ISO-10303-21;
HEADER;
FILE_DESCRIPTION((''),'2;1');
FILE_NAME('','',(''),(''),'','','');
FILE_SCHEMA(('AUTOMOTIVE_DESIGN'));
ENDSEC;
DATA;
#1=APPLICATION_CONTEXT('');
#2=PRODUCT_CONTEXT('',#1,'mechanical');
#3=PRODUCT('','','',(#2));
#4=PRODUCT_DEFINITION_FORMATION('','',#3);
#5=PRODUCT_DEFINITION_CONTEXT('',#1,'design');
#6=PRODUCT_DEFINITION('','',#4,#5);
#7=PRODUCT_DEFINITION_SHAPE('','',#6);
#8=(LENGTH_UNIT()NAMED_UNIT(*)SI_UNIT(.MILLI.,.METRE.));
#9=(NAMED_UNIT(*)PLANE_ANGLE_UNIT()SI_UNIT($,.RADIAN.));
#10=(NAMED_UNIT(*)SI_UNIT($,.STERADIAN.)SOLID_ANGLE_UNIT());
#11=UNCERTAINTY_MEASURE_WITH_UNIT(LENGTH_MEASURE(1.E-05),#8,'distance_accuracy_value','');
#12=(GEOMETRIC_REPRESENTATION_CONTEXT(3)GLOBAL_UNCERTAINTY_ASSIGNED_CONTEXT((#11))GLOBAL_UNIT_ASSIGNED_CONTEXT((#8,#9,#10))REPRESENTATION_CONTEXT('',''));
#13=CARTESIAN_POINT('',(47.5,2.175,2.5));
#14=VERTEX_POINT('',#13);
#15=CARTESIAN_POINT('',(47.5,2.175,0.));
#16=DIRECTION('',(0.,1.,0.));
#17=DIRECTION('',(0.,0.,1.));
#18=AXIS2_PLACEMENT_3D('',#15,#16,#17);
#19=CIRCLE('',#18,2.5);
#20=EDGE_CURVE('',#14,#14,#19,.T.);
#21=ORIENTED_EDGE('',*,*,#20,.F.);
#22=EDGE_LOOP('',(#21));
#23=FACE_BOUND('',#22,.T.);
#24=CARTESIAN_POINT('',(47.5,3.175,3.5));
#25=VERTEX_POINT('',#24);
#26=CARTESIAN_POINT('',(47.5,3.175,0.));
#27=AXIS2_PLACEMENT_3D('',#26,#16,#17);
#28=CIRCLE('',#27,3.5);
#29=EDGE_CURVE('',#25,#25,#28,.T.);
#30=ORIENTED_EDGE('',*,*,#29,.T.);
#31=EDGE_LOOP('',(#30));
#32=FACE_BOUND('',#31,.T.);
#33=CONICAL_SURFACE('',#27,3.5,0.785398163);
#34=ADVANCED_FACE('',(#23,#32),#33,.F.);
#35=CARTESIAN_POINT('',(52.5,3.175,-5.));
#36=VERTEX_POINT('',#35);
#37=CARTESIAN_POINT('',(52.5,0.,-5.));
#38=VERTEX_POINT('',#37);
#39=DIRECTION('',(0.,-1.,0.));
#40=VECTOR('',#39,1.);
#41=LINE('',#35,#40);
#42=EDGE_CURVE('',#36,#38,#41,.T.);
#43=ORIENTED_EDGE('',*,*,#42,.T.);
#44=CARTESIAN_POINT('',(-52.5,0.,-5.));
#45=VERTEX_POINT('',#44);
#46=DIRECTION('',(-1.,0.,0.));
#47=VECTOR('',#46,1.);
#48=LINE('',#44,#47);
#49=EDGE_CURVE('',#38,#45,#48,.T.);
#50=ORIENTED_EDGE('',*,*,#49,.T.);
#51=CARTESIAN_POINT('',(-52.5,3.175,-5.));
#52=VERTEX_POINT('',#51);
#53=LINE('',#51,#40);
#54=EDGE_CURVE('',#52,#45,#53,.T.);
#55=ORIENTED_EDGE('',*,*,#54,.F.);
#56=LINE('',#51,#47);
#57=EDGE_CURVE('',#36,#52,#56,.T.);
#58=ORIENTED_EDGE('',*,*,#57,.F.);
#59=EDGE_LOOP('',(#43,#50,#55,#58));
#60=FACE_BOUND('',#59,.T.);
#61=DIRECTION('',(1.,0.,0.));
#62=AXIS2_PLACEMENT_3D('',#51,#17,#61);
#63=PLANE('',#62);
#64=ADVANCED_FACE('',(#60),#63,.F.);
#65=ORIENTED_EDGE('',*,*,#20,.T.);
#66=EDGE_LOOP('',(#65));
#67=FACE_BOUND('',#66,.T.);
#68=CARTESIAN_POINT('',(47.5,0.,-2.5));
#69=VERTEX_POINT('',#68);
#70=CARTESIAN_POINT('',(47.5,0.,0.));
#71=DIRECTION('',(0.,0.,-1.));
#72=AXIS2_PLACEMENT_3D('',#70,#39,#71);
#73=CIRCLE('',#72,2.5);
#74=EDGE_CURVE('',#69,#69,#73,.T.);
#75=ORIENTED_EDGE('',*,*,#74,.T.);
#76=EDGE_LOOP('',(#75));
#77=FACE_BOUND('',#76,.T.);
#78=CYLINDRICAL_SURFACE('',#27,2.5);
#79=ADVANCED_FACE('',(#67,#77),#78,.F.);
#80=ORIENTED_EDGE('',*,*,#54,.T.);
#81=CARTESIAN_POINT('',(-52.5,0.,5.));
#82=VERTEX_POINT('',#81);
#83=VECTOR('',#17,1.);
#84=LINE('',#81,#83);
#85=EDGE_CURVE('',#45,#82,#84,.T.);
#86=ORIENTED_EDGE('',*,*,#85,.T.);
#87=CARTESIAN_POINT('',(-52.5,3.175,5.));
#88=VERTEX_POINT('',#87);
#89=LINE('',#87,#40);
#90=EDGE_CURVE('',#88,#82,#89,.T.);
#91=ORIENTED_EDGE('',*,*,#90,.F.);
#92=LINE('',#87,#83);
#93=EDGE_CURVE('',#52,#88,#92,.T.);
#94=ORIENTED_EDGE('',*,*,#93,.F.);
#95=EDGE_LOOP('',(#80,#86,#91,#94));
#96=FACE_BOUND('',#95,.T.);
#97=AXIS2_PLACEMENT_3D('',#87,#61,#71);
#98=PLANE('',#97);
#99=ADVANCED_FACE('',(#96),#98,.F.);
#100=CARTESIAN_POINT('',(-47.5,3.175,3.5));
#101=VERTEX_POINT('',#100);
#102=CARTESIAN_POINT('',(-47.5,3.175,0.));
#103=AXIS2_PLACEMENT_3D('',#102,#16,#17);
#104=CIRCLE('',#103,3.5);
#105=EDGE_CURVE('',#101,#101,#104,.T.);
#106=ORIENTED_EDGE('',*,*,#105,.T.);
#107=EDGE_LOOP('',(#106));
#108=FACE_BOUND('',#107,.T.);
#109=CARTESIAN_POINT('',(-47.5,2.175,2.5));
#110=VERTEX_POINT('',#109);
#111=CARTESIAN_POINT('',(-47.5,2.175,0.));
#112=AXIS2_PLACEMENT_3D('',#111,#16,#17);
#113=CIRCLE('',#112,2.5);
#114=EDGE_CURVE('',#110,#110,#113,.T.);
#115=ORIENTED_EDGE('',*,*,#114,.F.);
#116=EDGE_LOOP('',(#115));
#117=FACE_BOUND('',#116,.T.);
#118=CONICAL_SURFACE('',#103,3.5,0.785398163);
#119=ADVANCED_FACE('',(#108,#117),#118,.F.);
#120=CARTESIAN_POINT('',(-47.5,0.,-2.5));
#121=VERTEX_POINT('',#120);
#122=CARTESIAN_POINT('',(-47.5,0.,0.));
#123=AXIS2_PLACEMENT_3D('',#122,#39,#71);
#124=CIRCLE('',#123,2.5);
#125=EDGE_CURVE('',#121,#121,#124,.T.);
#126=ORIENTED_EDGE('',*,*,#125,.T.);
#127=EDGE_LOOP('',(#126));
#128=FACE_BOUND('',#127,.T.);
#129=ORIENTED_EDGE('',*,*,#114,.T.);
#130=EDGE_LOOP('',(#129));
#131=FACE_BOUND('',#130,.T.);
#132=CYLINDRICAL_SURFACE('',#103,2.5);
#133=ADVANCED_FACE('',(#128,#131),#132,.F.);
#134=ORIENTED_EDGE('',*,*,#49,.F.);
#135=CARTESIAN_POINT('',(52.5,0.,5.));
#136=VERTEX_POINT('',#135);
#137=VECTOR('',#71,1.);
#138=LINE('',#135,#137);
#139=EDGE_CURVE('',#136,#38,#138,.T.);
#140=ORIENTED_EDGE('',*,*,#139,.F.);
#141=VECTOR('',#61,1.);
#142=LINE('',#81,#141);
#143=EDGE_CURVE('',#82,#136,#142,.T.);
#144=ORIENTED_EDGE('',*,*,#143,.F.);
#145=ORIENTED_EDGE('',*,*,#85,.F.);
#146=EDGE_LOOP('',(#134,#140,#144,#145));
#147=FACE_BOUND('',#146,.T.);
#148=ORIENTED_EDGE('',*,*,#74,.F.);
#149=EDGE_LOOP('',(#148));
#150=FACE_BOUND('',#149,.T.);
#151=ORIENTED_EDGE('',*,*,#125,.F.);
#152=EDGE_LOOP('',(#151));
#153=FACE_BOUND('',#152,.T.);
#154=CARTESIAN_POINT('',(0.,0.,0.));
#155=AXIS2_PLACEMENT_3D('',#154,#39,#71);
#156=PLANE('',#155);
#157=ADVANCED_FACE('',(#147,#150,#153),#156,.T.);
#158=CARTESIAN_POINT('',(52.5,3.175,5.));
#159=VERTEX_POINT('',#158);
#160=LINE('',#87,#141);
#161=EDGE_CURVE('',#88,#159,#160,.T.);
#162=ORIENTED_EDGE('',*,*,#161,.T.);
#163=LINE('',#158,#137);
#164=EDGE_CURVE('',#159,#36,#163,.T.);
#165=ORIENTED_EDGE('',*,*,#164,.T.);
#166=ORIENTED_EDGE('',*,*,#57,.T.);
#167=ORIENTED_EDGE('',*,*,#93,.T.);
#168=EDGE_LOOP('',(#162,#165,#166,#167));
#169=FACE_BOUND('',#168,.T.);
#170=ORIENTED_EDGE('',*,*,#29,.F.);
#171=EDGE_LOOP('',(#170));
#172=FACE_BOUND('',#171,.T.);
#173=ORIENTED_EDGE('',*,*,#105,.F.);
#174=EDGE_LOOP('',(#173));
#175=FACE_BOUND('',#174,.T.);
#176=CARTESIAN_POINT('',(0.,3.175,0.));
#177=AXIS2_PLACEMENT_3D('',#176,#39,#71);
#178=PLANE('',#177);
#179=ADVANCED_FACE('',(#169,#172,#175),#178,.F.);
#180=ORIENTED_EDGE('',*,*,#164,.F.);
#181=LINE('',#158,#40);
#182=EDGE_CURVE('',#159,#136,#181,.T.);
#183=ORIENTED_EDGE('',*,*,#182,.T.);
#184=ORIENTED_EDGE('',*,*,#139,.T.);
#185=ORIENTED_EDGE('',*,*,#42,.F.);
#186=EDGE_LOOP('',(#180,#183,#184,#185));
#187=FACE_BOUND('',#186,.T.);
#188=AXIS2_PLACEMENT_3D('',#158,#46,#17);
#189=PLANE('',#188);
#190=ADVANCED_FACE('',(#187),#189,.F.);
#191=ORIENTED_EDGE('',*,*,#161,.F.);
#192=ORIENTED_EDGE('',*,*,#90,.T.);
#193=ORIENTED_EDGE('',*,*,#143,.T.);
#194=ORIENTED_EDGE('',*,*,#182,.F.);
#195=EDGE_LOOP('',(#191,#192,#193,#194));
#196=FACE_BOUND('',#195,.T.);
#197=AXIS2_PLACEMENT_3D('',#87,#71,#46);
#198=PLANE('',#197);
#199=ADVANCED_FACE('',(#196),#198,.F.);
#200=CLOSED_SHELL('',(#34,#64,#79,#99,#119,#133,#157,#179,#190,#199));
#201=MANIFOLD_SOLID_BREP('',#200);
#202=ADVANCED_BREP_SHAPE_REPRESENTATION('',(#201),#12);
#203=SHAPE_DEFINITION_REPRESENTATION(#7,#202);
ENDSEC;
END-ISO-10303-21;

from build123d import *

# Parameters (mm, degrees)
SKETCH1_W                      = 105
SKETCH1_H                      = 10
BOSS_EXTRUDE1_DEPTH            = 3.175
M6X1_0_TAPPED_HOLE1_AT_2_COUNT = 2
M6X1_0_TAPPED_HOLE1_AT_2_PITCH = 95


with BuildPart() as part:
    # Sketch1 → Boss-Extrude1 (new body)
    with BuildSketch(Plane(origin=(0, 0, 0), x_dir=(1, 0, 0), z_dir=(0, 1, 0))):
        Rectangle(SKETCH1_W, SKETCH1_H)
    extrude(amount=BOSS_EXTRUDE1_DEPTH)

    # Sketch4 → M6x1.0 Tapped Hole1 (revolve, cut)
    with BuildSketch(Plane(origin=(47.5, 3.175, 0), x_dir=(0, 0, 1), z_dir=(1, 0, 0))):
        Polygon((0, 0), (0, 3.175), (2.5, 3.175), (2.5, 1), (3.5, 0), align=None)
    m6x1_0_tapped_hole1 = revolve(axis=Axis((47.5, 9.525, 0), (0, -1, 0)), mode=Mode.SUBTRACT)

    # M6x1.0 Tapped Hole1 at 2: M6x1.0 Tapped Hole1 ×2
    with Locations(*[(-i * M6X1_0_TAPPED_HOLE1_AT_2_PITCH, 0, 0) for i in range(1, M6X1_0_TAPPED_HOLE1_AT_2_COUNT)]):
        add(m6x1_0_tapped_hole1, mode=Mode.SUBTRACT)


solid = part.part
